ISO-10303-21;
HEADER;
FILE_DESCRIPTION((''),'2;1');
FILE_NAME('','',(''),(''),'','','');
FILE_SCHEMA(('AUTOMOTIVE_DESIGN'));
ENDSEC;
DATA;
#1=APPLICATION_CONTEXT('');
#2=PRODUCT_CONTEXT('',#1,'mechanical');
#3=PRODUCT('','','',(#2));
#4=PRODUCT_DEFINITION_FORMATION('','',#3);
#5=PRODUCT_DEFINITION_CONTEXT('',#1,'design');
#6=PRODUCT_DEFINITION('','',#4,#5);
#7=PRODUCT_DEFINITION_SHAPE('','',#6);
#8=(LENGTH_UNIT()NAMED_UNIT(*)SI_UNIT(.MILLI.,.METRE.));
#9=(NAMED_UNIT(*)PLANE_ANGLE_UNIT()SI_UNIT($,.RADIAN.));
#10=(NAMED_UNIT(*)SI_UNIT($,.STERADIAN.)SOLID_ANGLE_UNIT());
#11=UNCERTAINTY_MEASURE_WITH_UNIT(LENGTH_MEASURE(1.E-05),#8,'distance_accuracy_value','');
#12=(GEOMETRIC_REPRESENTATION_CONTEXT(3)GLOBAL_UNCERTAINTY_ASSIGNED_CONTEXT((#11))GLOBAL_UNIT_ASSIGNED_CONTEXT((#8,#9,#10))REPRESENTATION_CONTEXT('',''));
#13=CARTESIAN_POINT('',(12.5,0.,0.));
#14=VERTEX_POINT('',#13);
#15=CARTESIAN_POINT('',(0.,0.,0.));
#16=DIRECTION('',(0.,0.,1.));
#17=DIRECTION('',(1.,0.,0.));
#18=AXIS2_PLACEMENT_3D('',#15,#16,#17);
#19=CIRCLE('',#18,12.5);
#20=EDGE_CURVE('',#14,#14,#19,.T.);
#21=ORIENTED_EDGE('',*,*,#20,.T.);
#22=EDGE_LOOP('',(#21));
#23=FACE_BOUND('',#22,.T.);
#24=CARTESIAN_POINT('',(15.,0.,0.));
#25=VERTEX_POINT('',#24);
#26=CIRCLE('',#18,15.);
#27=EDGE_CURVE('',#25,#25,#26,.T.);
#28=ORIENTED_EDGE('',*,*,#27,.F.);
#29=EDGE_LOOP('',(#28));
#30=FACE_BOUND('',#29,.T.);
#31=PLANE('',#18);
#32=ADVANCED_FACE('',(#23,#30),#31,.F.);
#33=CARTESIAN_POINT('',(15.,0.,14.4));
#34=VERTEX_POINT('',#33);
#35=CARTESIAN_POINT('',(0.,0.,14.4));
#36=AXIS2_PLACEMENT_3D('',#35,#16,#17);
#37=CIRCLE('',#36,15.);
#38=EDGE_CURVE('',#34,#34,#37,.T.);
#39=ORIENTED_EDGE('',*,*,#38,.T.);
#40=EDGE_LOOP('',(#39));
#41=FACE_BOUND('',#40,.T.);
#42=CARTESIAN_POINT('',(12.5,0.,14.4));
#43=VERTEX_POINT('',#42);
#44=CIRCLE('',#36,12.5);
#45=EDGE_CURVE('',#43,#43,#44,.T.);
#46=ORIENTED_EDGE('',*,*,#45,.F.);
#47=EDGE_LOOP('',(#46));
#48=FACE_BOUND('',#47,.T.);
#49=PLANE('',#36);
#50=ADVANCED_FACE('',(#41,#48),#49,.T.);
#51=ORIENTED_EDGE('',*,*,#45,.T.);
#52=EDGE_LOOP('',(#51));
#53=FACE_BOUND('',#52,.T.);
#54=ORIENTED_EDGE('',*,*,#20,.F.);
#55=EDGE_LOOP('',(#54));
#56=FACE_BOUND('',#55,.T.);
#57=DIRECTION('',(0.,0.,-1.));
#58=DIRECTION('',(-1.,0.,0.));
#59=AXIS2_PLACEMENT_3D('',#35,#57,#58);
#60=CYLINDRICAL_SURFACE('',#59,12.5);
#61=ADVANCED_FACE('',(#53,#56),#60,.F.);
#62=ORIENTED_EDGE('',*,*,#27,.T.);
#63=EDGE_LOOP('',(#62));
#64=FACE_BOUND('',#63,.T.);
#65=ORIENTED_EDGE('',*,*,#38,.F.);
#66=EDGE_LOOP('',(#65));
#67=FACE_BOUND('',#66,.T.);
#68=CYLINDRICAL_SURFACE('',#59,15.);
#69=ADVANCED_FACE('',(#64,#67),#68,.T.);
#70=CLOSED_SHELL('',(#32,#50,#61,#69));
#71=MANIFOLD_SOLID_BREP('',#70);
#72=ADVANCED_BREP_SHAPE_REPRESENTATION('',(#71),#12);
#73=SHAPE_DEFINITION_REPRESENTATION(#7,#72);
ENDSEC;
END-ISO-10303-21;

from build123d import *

# Parameters (mm, degrees)
SZKIC1_R                    = 15
SZKIC1_R_2                  = 12.5
DODANIE_WYCI_GNI_CIE1_DEPTH = 14.4


with BuildPart() as part:
    # Szkic1 → Dodanie-wyciągnięcie1 (new body)
    with BuildSketch(Plane.XY):
        Circle(SZKIC1_R)
        Circle(SZKIC1_R_2, mode=Mode.SUBTRACT)
    extrude(amount=DODANIE_WYCI_GNI_CIE1_DEPTH)


solid = part.part
